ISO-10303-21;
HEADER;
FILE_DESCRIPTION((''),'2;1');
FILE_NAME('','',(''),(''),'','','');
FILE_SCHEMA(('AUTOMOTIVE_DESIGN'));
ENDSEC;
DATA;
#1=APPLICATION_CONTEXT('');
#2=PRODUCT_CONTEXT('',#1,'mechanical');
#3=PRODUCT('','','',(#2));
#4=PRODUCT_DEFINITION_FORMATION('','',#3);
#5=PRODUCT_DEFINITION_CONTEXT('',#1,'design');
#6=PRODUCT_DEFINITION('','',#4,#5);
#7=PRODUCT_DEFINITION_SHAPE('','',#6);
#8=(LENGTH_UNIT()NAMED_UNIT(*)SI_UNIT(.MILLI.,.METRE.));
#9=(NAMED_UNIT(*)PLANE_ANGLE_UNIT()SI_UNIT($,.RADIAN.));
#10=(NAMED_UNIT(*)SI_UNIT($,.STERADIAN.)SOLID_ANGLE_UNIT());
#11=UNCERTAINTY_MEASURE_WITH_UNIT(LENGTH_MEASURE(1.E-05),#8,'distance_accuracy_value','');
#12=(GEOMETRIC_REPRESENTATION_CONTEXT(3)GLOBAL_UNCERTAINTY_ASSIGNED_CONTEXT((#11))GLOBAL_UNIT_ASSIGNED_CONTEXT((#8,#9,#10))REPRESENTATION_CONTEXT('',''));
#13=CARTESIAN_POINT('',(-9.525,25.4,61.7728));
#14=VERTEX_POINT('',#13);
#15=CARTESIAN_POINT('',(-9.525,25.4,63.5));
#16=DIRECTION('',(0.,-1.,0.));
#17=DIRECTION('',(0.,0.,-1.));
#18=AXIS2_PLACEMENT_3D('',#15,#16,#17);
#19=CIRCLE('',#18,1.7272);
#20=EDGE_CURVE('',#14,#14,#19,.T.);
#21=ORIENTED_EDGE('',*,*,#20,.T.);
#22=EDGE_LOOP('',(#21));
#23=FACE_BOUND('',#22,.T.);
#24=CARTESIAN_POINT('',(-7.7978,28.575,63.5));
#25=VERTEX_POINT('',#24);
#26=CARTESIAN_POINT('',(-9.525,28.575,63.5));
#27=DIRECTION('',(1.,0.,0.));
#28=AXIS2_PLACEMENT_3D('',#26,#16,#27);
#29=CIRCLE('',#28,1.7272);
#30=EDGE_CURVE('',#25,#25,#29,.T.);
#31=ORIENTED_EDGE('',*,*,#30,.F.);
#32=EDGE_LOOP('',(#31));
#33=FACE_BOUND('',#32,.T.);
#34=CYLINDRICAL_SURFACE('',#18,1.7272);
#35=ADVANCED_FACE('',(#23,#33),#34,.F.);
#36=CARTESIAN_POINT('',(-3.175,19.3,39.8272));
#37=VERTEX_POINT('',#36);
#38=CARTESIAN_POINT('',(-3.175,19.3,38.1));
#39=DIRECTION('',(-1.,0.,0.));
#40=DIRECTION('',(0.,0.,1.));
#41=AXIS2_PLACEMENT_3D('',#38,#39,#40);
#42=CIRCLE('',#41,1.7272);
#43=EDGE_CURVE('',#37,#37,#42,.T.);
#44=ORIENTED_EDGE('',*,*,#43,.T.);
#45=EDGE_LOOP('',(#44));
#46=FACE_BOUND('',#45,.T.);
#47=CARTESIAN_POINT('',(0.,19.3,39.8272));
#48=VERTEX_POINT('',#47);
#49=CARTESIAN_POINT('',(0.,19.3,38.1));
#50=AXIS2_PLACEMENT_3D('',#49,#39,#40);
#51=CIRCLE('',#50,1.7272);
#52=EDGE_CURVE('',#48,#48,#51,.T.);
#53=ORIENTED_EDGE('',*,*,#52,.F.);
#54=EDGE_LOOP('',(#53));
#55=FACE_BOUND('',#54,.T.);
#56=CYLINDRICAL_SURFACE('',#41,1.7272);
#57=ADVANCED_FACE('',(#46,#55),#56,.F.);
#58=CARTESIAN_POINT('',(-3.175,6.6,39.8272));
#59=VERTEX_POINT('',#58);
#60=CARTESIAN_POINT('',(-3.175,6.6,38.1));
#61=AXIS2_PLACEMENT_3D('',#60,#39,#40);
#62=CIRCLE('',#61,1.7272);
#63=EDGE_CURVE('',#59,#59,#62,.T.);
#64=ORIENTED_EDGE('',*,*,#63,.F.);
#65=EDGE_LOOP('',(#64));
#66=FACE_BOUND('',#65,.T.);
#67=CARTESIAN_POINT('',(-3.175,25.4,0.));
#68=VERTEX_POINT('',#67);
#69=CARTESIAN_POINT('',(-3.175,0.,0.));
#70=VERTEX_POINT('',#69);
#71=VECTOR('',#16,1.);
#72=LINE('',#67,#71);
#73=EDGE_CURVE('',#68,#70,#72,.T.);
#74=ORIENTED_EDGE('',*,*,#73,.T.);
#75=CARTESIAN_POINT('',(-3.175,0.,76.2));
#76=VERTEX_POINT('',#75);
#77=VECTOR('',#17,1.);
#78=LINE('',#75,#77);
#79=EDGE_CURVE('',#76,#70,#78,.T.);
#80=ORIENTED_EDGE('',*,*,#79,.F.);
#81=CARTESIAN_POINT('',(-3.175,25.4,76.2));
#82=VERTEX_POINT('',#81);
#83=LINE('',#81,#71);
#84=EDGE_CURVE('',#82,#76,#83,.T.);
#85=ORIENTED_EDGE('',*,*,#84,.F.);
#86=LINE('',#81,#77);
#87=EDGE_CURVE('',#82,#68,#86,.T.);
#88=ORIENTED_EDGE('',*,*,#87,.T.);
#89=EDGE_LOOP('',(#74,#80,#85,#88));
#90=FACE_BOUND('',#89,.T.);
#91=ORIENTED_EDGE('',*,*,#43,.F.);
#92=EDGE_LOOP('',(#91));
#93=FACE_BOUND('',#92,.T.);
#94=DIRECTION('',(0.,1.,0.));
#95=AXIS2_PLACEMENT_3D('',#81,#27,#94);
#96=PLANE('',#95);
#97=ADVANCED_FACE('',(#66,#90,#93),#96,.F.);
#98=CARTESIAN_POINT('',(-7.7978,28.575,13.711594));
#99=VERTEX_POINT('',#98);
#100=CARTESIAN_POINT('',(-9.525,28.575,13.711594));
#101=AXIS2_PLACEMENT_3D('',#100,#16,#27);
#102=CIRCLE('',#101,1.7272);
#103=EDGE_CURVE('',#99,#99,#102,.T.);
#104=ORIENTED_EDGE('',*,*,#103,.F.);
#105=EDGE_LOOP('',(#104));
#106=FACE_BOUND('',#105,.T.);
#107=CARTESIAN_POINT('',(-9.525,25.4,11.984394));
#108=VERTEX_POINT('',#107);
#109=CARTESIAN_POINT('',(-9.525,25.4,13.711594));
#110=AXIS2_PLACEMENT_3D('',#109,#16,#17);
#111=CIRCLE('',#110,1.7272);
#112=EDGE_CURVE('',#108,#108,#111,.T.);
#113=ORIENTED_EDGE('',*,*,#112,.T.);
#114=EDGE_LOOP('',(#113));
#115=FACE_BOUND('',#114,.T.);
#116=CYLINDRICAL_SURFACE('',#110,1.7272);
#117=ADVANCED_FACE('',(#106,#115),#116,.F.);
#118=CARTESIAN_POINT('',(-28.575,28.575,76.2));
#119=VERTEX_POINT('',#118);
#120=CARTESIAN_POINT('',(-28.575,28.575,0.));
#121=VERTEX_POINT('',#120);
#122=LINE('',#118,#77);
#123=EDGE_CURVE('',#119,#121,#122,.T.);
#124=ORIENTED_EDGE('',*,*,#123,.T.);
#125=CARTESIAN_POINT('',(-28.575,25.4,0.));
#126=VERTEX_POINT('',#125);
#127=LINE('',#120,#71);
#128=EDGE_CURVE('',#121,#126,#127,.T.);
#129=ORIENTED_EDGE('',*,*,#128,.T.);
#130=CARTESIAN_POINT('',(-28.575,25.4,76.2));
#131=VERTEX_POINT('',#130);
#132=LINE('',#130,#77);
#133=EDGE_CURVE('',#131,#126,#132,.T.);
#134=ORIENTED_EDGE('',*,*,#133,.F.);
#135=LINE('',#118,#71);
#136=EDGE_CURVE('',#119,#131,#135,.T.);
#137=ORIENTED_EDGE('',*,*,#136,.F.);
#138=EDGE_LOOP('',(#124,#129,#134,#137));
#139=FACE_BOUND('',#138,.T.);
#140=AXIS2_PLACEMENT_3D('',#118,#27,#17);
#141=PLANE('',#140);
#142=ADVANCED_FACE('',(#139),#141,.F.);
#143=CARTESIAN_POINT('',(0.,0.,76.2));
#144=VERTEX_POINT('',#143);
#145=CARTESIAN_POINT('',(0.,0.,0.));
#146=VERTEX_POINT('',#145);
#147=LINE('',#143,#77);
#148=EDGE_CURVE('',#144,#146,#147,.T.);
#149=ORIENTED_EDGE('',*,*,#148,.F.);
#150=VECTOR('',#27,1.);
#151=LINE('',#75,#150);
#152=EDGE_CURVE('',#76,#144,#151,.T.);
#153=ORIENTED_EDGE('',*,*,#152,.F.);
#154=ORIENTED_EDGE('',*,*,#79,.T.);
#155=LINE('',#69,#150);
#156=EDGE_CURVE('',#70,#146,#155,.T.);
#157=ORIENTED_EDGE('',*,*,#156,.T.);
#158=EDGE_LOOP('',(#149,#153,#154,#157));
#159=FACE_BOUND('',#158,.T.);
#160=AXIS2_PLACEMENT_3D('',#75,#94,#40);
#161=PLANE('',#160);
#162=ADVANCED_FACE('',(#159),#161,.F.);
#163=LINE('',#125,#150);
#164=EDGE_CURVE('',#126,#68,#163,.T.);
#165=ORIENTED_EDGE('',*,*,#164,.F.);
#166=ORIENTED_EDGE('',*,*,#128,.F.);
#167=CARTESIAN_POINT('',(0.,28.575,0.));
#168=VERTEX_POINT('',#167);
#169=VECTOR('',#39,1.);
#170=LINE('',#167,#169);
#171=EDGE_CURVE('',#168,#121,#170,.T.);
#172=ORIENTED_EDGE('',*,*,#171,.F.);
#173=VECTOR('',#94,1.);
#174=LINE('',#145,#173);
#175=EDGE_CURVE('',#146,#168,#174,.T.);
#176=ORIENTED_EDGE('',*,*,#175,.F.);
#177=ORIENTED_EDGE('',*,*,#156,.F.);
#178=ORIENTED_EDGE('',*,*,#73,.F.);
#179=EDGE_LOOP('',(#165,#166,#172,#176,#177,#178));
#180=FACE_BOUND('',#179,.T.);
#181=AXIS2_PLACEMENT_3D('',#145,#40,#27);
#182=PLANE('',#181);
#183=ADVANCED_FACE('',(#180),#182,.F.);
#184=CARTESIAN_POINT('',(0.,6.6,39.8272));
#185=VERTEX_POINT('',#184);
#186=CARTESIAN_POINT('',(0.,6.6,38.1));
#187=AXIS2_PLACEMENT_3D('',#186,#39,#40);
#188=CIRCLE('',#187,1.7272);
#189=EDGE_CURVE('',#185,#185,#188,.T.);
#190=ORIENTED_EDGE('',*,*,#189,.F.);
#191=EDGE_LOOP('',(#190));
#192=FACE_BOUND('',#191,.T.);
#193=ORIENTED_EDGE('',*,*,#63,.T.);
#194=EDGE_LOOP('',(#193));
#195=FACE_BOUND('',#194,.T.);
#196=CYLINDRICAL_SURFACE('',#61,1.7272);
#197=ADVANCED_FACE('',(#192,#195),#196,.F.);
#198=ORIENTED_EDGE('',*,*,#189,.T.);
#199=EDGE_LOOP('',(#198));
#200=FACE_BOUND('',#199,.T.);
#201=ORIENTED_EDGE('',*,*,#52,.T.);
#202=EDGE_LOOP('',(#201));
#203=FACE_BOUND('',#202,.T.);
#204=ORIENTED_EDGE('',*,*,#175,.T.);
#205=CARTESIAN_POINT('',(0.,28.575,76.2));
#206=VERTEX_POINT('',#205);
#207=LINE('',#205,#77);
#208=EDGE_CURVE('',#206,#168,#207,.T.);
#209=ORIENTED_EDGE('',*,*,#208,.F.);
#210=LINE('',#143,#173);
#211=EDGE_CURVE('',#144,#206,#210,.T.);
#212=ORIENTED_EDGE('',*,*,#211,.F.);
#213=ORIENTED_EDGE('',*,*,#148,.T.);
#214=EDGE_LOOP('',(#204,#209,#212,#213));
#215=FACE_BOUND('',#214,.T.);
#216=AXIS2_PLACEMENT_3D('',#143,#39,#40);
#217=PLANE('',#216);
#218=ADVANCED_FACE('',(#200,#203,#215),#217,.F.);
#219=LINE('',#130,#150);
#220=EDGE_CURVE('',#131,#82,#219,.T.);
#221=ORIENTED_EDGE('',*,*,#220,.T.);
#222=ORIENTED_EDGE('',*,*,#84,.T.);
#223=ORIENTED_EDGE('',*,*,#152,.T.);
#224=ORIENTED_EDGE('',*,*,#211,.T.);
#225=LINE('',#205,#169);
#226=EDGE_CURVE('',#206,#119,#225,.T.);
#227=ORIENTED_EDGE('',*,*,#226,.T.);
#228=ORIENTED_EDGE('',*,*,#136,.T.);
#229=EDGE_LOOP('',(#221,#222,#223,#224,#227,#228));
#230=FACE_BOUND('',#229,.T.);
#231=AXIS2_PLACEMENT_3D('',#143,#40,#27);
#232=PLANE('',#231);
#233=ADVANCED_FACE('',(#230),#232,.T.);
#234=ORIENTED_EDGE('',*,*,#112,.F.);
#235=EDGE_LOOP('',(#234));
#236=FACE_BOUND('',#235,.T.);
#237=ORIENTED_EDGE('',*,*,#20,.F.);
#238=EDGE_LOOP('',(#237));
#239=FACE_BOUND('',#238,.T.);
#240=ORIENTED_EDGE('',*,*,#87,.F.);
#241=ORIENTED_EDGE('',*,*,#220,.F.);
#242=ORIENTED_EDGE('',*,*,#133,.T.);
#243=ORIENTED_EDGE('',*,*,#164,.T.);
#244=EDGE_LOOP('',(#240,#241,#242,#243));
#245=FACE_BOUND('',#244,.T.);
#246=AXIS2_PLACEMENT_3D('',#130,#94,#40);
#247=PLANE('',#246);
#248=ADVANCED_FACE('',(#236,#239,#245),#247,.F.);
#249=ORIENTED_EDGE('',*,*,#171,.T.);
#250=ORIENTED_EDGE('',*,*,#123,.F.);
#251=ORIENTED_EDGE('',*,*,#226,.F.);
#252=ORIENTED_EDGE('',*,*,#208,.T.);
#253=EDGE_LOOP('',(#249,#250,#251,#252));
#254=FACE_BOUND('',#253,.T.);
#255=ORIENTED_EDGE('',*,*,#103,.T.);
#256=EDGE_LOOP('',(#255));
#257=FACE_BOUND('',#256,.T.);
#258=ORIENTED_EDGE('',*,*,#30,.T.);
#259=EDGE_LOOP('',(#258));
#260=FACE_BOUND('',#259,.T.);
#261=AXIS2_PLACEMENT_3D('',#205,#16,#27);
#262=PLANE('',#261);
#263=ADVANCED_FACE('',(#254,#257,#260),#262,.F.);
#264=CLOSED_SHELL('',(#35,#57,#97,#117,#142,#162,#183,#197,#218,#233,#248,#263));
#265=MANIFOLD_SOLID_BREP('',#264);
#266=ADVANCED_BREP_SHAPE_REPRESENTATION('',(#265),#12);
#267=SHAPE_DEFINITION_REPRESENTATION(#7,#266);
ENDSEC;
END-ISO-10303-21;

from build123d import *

# Parameters (mm, degrees)
BOSS_EXTRUDE1_DEPTH           = 76.2
TAP_DRILL_FOR_8_36_TAP1_D     = 3.4544
TAP_DRILL_FOR_8_36_TAP2_D     = 3.4544
TAP_DRILL_FOR_8_36_TAP2_DEPTH = 3.175


with BuildPart() as part:
    # Sketch1 → Boss-Extrude1 (new body)
    with BuildSketch(Plane.XY):
        Polygon((0, 0), (0, 28.575), (-28.575, 28.575), (-28.575, 25.4), (-3.175, 25.4), (-3.175, 0), align=None)
    extrude(amount=BOSS_EXTRUDE1_DEPTH)

    # Tap Drill for #8-36 Tap1 (through all)
    with Locations(Plane.ZY.offset(3.175)):
        with Locations((38.1, 6.6), (38.1, 19.3)):
            Hole(TAP_DRILL_FOR_8_36_TAP1_D / 2)

    # Tap Drill for #8-36 Tap2
    with Locations(Plane(origin=(0, 25.4, 0), x_dir=(-1, 0, 0), z_dir=(0, -1, 0))):
        with Locations((9.525, -63.5), (-28.575, -63.5), (9.525, -13.711593905), (-28.575, -13.711593905)):
            Hole(TAP_DRILL_FOR_8_36_TAP2_D / 2, depth=TAP_DRILL_FOR_8_36_TAP2_DEPTH)


solid = part.part
